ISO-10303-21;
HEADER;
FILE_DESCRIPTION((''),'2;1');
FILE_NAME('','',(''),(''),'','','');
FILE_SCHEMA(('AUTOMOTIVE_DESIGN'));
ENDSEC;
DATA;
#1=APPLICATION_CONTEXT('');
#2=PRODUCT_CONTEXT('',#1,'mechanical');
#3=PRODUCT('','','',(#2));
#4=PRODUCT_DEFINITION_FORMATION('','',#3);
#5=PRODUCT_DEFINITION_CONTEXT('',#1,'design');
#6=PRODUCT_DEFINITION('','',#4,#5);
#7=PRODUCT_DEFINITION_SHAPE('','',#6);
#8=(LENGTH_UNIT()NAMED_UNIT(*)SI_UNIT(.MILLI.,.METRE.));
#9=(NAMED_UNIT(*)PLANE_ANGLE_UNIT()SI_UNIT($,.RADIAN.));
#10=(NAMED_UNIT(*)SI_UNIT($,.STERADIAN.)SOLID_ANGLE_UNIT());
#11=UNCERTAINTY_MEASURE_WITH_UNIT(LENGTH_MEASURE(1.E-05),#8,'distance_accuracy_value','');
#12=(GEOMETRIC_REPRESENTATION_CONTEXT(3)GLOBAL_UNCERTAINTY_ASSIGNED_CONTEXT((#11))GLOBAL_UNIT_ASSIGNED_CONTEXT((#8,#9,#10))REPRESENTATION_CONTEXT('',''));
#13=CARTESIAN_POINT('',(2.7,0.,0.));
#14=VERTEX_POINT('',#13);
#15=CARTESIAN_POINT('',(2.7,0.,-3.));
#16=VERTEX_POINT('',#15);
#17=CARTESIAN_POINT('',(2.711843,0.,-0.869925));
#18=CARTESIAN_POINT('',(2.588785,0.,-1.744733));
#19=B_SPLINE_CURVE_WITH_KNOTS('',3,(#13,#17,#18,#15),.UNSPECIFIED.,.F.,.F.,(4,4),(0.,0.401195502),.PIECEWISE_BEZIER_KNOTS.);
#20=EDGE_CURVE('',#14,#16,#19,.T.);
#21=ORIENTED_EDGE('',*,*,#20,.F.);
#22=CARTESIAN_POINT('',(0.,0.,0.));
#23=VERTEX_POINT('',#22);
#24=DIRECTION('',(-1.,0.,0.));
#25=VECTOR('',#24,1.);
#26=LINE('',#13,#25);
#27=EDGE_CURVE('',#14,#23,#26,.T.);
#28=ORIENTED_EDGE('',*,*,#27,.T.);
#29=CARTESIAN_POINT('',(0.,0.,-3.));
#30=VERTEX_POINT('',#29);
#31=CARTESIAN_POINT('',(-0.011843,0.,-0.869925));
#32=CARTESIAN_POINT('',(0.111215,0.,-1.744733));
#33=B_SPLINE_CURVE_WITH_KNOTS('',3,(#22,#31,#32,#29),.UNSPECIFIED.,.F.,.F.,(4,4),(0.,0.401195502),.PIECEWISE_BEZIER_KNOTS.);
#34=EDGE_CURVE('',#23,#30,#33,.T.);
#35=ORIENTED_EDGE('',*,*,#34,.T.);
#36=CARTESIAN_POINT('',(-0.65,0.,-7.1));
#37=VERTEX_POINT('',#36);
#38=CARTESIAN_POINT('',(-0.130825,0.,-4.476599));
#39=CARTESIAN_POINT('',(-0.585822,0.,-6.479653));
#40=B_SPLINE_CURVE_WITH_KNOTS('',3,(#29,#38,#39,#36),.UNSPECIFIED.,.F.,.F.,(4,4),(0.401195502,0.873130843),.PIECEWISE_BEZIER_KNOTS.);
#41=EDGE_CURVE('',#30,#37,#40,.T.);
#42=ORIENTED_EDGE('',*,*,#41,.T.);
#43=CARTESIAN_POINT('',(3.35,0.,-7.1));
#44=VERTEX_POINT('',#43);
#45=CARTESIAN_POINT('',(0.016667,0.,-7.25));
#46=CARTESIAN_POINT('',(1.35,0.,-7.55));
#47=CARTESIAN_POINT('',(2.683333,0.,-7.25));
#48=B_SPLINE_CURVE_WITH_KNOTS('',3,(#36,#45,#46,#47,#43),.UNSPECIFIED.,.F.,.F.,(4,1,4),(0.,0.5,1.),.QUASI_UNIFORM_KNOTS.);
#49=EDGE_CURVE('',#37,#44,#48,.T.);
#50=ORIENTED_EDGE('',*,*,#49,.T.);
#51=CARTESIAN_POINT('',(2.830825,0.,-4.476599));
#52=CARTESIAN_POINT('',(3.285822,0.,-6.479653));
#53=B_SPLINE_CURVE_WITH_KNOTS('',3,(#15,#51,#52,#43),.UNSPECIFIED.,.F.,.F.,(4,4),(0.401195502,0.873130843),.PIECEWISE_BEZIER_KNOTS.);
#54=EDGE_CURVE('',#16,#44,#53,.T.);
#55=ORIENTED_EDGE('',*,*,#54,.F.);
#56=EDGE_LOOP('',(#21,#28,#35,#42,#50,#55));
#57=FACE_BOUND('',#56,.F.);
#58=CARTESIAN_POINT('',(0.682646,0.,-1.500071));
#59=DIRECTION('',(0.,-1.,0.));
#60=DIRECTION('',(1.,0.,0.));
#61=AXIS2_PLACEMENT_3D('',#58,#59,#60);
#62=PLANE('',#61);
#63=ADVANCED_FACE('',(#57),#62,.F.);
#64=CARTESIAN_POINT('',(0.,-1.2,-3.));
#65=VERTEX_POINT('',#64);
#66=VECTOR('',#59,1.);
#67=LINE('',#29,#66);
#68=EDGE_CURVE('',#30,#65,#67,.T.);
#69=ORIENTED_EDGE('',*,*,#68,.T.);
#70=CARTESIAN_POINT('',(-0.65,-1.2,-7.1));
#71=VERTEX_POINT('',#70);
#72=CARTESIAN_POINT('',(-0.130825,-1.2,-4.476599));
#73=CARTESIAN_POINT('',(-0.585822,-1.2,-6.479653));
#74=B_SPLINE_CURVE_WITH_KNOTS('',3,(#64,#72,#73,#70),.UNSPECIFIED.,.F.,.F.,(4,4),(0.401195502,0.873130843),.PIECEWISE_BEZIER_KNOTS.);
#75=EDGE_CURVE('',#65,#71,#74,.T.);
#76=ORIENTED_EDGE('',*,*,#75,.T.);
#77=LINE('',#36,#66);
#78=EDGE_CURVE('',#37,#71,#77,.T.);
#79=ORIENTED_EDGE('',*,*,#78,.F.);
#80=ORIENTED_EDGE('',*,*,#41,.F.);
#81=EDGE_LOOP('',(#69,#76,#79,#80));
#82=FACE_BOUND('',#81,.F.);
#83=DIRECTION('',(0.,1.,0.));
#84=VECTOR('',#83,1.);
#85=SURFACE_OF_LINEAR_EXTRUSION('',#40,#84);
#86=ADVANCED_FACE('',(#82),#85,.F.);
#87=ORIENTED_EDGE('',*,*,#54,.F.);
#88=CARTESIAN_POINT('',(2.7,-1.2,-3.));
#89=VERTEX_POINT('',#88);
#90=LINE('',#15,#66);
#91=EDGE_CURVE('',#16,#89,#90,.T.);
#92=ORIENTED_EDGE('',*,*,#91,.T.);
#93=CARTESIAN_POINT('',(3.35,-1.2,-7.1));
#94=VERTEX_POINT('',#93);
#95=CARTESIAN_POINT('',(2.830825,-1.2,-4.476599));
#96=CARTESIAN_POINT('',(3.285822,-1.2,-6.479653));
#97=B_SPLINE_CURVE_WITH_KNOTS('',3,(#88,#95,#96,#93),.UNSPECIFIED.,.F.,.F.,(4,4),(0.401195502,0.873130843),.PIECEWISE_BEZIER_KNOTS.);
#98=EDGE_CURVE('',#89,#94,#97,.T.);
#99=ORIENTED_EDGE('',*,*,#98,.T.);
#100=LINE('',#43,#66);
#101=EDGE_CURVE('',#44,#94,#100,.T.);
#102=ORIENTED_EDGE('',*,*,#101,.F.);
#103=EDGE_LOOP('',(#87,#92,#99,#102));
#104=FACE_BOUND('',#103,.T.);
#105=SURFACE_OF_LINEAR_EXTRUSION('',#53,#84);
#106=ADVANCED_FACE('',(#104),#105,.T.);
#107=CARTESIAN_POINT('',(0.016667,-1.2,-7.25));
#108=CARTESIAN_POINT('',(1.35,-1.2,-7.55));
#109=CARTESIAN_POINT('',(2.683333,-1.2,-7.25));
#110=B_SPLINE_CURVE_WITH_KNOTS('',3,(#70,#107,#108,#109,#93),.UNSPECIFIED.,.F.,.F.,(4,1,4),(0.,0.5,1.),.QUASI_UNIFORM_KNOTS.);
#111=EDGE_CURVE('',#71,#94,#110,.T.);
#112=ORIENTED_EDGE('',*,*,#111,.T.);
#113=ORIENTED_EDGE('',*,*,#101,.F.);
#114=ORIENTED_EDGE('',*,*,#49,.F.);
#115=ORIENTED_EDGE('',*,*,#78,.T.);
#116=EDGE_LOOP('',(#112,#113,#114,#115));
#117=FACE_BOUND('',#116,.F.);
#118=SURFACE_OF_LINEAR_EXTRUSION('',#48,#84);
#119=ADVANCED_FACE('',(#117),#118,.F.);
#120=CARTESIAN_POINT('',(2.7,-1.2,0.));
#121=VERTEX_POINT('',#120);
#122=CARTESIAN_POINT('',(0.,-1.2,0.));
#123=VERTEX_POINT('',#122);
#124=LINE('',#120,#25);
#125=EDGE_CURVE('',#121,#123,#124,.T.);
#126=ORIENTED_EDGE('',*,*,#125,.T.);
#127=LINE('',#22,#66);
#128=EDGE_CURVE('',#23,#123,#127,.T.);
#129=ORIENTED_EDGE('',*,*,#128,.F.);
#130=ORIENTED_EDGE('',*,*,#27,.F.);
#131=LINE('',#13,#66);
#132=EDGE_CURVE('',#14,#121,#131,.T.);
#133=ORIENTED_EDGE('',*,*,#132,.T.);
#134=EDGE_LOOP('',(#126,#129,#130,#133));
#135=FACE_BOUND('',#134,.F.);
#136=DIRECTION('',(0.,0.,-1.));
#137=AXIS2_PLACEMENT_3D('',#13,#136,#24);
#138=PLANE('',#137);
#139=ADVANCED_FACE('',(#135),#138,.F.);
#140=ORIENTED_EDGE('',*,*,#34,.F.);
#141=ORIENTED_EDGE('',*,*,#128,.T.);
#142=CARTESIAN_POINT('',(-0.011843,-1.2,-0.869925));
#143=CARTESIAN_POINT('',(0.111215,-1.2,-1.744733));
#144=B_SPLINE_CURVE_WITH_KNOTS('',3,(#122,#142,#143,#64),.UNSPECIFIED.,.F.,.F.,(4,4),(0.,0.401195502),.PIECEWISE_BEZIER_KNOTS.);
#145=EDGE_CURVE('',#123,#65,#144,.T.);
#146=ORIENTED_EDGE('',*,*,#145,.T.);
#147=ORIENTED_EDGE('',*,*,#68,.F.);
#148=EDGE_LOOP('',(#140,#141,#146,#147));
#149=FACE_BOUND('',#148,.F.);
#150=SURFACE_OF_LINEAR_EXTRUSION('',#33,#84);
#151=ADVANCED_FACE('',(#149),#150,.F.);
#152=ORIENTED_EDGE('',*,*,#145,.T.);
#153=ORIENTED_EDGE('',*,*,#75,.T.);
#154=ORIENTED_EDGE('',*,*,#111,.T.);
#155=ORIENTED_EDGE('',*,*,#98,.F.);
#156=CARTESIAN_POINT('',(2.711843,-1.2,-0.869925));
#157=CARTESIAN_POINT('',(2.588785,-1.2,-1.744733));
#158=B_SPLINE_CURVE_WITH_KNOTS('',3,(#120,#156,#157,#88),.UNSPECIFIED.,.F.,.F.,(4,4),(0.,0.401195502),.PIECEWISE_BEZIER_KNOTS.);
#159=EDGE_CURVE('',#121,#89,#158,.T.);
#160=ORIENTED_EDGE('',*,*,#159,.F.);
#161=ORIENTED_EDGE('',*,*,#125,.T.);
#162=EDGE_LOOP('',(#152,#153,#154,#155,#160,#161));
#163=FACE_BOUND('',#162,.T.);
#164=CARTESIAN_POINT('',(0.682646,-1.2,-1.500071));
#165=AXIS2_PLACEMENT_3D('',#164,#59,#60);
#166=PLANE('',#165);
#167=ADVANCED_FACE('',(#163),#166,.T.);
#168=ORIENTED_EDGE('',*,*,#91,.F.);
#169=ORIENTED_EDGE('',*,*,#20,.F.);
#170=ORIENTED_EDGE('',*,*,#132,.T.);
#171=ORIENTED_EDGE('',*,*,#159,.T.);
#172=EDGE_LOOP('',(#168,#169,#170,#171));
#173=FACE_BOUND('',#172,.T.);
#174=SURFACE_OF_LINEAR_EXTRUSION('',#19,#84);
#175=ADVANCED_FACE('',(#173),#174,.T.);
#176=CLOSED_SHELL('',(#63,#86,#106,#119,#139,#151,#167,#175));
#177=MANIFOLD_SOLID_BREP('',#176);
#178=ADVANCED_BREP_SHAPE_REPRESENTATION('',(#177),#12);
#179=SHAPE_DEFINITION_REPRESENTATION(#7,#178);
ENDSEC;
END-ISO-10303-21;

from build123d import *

# Parameters (mm, degrees)
F1_DEPTH = 1.2


with BuildPart() as f1:
    # F0 (on Front) → F1 (new body)
    with BuildSketch(Plane.XZ):
        with BuildLine():
            Line((1.35, 0), (0, 0))
            add(Edge.make_bspline(
                [(0, 0), (-0.0118428651, -0.8699247142), (0.1112151057, -1.7447327255), (0, -3)],
                knots=[0, 0, 0, 0, 0.4011955023, 0.4011955023, 0.4011955023, 0.4011955023], degree=3))
            Line((0, -3), (1.35, -3))
            Line((1.35, -3), (1.35, 0))
        make_face()
        with BuildLine():
            Line((2.7, 0), (1.35, 0))
            Line((1.35, 0), (1.35, -3))
            Line((1.35, -3), (2.7, -3))
            add(Edge.make_bspline(
                [(2.7, 0), (2.7118428651, -0.8699247142), (2.5887848943, -1.7447327255), (2.7, -3)],
                knots=[0, 0, 0, 0, 0.4011955023, 0.4011955023, 0.4011955023, 0.4011955023], degree=3))
        make_face()
        with BuildLine():
            Line((1.35, -3), (0, -3))
            add(Edge.make_bspline(
                [(0, -3), (-0.1308248434, -4.4765992759), (-0.5858215146, -6.4796533053), (-0.65, -7.1)],
                knots=[0.4011955023, 0.4011955023, 0.4011955023, 0.4011955023, 0.8731308426, 0.8731308426, 0.8731308426, 0.8731308426], degree=3))
            add(Edge.make_bspline(
                [(-0.65, -7.1), (0.0166666667, -7.25), (1.35, -7.55), (2.6833333333, -7.25), (3.35, -7.1)],
                knots=[0, 0, 0, 0, 0.5, 1, 1, 1, 1], degree=3))
            add(Edge.make_bspline(
                [(2.7, -3), (2.8308248434, -4.4765992759), (3.2858215146, -6.4796533053), (3.35, -7.1)],
                knots=[0.4011955023, 0.4011955023, 0.4011955023, 0.4011955023, 0.8731308426, 0.8731308426, 0.8731308426, 0.8731308426], degree=3))
            Line((2.7, -3), (1.35, -3))
        make_face()
    extrude(amount=F1_DEPTH)


solid = f1.part
